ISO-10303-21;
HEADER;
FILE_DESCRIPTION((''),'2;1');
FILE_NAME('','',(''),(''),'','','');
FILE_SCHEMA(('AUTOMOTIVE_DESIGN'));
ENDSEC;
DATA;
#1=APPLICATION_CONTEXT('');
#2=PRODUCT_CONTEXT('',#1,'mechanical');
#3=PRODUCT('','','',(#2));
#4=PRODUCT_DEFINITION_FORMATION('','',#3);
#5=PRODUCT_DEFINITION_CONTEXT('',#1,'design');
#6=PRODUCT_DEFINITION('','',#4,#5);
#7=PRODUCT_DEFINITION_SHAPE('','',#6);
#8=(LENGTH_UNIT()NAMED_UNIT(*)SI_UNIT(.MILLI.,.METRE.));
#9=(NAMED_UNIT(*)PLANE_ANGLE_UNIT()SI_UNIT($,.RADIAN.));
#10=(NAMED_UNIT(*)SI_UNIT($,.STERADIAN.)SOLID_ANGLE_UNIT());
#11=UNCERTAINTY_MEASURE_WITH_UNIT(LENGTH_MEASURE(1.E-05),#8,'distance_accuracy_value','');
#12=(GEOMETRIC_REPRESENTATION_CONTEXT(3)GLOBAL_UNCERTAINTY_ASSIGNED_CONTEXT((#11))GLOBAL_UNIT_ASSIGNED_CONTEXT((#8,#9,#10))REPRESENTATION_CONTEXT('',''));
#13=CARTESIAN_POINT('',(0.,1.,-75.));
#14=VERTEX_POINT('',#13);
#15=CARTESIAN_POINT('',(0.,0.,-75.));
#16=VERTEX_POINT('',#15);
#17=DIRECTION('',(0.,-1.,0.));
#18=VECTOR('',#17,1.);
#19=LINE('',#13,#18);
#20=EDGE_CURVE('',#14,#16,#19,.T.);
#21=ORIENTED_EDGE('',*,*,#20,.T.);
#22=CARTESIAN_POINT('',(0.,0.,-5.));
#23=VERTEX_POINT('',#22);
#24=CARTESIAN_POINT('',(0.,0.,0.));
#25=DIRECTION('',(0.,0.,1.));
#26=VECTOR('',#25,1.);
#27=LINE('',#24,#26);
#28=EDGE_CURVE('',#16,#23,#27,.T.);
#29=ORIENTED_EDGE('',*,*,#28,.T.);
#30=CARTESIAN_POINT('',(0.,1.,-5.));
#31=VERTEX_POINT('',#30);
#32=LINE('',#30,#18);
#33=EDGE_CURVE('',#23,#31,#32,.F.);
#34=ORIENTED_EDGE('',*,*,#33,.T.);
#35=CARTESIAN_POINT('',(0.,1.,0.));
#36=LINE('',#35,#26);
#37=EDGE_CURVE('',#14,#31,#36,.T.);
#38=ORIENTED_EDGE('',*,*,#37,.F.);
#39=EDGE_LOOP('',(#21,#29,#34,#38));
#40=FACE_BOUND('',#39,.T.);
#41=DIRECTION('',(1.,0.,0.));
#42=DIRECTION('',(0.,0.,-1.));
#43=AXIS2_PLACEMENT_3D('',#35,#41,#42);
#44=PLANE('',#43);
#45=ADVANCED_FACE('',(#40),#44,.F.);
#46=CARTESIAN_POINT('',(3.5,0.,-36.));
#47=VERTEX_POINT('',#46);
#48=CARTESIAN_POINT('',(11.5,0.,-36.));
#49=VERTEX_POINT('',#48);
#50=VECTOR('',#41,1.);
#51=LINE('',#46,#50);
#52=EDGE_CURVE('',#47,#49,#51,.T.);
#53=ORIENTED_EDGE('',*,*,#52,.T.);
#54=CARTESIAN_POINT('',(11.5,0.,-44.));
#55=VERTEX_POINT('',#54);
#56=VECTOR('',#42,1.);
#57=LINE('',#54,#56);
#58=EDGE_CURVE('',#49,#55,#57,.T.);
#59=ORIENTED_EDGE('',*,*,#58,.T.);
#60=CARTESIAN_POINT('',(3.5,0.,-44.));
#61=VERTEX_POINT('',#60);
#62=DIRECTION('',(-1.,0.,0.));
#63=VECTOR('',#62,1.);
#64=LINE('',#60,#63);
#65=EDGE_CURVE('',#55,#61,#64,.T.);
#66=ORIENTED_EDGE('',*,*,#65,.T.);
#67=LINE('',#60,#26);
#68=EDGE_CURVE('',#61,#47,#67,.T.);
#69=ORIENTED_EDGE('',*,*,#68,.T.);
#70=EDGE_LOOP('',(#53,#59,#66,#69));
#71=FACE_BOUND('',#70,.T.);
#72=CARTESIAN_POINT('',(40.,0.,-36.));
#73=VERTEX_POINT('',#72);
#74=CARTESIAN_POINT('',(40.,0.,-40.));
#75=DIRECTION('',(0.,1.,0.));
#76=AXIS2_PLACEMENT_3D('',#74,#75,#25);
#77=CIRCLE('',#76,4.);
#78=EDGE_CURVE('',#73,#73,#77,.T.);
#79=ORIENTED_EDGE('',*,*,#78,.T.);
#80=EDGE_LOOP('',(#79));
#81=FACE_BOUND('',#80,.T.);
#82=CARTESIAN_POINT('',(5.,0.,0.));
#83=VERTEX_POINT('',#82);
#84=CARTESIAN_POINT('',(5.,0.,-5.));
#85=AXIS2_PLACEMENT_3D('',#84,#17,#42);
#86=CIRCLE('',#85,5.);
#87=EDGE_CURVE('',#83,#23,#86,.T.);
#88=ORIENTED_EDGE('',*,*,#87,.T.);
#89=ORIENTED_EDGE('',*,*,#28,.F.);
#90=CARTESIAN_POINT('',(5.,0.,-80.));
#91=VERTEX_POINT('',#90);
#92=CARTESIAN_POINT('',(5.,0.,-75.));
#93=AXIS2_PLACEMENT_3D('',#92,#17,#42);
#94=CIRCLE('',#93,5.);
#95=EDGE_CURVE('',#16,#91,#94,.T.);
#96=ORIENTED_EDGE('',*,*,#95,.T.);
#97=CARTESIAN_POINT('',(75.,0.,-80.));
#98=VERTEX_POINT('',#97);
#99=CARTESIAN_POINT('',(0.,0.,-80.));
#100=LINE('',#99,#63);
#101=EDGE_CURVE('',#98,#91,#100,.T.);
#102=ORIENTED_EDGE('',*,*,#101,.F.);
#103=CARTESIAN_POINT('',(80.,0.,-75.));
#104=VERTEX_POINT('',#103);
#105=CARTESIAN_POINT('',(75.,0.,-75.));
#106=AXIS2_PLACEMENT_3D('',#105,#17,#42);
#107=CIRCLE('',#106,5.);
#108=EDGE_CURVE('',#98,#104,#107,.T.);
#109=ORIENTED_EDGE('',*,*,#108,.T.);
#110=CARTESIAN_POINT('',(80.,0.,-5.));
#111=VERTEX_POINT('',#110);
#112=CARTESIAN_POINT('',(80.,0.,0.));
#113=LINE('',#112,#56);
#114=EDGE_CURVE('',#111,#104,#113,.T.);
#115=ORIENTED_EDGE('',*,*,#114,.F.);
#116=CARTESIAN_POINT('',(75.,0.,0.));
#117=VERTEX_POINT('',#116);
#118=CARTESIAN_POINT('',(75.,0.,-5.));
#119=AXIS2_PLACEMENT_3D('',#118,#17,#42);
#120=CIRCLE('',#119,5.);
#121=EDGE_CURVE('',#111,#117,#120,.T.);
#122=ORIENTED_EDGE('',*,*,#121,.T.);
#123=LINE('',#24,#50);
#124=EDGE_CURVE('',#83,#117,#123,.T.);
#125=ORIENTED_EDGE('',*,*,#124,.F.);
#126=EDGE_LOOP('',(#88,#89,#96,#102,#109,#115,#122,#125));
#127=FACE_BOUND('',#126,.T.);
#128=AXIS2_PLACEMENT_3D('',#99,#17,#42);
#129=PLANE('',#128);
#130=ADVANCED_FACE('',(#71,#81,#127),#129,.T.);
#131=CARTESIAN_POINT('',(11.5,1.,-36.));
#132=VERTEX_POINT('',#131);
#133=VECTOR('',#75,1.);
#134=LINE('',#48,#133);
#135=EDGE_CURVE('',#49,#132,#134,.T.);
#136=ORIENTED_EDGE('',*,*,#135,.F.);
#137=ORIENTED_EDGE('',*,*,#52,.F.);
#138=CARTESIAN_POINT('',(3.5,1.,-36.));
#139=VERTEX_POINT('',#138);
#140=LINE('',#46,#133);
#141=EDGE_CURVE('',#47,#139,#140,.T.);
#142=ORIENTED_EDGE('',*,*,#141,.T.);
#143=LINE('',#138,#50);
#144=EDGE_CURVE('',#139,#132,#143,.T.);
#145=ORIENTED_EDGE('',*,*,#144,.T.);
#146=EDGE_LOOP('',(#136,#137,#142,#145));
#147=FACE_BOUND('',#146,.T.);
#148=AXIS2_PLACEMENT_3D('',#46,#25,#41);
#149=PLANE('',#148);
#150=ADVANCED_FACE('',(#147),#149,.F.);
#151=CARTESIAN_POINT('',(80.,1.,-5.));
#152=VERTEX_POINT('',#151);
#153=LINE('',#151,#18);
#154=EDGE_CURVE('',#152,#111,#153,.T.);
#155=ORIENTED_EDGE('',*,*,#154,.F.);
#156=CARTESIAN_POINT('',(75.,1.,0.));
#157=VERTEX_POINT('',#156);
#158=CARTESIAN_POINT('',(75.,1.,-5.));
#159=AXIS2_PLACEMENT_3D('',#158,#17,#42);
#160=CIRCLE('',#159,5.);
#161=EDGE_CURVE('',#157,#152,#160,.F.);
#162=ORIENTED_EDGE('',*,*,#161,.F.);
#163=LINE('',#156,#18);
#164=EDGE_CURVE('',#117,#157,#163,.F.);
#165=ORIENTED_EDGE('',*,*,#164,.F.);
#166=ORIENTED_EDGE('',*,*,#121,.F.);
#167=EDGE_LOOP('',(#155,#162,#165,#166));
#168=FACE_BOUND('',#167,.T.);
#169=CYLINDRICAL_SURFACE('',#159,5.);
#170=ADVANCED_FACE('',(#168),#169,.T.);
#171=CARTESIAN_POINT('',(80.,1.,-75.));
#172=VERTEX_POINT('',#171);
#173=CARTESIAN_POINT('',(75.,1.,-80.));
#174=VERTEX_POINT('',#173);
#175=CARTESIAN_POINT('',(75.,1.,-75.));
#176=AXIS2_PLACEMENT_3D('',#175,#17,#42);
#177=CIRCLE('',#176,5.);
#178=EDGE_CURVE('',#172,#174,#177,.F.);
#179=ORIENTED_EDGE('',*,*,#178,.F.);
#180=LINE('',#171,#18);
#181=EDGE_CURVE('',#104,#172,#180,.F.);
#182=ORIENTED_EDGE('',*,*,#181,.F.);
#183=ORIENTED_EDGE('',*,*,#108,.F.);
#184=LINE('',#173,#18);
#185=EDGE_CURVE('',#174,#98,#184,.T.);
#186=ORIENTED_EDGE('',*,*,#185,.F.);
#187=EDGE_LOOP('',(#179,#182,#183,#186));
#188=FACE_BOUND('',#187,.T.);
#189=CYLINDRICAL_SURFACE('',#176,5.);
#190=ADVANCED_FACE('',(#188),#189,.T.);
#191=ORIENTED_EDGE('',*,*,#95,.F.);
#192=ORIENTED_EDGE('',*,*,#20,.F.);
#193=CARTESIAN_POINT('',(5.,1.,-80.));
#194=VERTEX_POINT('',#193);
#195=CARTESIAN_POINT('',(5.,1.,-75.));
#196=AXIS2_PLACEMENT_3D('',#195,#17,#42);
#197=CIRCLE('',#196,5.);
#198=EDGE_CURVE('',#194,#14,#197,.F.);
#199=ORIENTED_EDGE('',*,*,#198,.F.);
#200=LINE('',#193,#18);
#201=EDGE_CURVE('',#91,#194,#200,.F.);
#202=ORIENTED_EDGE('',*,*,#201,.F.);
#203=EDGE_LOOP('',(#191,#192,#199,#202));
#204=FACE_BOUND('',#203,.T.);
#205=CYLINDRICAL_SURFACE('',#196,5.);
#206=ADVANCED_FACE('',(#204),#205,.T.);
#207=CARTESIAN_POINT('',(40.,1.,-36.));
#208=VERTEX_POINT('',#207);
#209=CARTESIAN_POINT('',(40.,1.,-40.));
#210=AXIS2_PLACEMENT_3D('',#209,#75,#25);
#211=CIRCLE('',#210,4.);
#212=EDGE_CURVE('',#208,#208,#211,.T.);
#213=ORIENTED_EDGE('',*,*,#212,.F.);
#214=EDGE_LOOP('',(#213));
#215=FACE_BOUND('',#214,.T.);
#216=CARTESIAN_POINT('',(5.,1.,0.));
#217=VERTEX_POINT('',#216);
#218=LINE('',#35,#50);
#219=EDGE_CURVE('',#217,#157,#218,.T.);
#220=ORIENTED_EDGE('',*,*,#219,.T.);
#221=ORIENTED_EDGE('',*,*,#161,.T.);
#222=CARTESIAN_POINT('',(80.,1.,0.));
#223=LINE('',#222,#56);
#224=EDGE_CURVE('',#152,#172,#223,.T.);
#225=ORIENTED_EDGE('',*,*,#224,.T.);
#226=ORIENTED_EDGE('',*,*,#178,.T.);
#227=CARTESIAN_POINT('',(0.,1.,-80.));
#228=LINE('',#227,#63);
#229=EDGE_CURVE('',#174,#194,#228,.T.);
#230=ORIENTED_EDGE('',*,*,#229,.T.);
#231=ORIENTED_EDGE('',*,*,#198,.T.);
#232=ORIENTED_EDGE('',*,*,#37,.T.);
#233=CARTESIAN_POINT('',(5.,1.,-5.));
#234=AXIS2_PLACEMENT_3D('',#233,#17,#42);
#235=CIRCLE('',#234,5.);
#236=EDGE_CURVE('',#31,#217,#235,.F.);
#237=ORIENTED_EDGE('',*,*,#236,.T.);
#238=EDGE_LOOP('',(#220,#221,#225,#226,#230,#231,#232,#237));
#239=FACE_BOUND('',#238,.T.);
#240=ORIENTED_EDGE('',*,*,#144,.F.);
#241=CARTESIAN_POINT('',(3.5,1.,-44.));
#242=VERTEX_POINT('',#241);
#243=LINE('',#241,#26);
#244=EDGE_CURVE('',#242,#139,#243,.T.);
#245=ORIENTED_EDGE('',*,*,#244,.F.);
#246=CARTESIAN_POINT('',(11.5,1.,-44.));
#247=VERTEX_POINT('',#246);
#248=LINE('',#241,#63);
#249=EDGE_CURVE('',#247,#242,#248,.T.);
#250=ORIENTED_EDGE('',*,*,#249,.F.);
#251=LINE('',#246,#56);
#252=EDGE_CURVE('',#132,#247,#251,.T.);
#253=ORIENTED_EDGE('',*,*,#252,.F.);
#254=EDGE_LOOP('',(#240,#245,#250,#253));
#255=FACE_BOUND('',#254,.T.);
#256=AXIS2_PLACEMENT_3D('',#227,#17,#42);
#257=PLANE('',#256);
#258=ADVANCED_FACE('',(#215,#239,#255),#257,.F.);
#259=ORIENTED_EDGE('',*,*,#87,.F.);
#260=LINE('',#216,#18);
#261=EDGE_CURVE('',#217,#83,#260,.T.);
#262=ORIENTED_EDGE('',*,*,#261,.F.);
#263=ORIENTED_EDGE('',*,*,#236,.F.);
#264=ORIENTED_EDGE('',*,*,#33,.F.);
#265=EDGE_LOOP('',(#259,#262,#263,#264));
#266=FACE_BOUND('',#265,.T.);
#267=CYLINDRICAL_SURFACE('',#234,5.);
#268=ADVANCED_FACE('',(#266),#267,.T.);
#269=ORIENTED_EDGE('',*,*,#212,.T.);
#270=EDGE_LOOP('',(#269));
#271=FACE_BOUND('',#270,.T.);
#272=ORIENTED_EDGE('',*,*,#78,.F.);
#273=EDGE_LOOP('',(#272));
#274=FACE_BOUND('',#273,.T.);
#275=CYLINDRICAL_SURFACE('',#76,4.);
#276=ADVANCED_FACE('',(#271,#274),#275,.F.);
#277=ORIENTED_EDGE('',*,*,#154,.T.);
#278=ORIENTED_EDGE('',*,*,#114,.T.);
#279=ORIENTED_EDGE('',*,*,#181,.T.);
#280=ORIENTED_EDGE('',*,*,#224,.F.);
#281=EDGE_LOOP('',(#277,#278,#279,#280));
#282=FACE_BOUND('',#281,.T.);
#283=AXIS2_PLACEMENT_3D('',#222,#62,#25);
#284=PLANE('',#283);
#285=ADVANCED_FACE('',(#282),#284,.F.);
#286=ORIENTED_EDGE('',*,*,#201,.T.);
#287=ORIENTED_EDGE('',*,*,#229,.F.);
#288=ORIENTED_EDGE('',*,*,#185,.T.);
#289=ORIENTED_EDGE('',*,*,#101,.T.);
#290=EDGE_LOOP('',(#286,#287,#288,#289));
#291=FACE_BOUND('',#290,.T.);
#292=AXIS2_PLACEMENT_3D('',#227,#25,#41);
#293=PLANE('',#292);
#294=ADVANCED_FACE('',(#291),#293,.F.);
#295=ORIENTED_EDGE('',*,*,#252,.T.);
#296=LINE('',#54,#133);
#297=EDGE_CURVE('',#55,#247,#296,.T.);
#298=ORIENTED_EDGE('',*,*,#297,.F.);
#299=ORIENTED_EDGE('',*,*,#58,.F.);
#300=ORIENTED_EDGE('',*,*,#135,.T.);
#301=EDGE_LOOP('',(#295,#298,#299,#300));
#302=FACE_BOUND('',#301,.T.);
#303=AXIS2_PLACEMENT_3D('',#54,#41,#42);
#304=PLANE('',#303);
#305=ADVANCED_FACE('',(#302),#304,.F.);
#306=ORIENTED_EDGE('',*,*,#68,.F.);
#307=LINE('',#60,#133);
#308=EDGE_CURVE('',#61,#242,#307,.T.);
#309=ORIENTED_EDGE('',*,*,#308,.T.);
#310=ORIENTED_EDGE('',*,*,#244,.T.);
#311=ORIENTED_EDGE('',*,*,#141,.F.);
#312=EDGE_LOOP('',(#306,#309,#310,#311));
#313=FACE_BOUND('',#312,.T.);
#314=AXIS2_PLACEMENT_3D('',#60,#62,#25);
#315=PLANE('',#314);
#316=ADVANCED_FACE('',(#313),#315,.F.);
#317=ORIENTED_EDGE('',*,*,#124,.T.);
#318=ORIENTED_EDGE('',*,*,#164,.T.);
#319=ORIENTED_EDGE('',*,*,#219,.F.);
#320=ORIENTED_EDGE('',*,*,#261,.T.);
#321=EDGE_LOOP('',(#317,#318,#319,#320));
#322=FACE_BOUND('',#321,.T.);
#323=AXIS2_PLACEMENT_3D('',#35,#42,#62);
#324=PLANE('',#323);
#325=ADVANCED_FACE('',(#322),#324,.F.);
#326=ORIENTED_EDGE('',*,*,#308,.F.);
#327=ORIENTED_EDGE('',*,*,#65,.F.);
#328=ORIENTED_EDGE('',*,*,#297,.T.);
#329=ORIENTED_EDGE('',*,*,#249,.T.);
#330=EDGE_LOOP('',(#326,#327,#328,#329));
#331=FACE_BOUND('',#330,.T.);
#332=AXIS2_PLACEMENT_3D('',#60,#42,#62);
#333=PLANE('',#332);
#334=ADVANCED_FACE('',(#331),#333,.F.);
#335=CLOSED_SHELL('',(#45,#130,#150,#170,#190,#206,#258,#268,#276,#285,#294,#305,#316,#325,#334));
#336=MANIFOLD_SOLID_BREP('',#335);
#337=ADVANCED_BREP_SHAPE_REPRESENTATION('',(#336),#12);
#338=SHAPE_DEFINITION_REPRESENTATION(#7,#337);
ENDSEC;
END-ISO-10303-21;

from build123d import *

# Parameters (mm, degrees)
ESQUISSE1_W             = 80
ESQUISSE1_H             = 80
EXTRUSION1_DEPTH        = 1
CONG_1_R                = 5
ESQUISSE3_R             = 4
ENL_V_MAT_EXTRU_1_DEPTH = 2
ESQUISSE4_W             = 8
ESQUISSE4_H             = 8
ENL_V_MAT_EXTRU_2_DEPTH = 2


with BuildPart() as part:
    # Esquisse1 → Extrusion1 (new body)
    with BuildSketch(Plane(origin=(0, 0, 0), x_dir=(1, 0, 0), z_dir=(0, 1, 0))):
        with Locations((40, 40)):
            Rectangle(ESQUISSE1_W, ESQUISSE1_H)
    extrude(amount=EXTRUSION1_DEPTH)

    # Congé1
    cong_1_edges = [part.edges().sort_by_distance(p)[0] for p in [
        (0, 0.5, -80),
        (80, 0.5, -80),
        (80, 0.5, 0),
        (0, 0.5, 0),
    ]]
    fillet(cong_1_edges, radius=CONG_1_R)

    # Esquisse3 → Enlèv. mat.-Extru.1 (cut, through all)
    with BuildSketch(Plane(origin=(0, 1, 0), x_dir=(1, 0, 0), z_dir=(0, 1, 0))):
        with Locations((40, 40)):
            Circle(ESQUISSE3_R)
    extrude(amount=-ENL_V_MAT_EXTRU_1_DEPTH, mode=Mode.SUBTRACT)

    # Esquisse4 → Enlèv. mat.-Extru.2 (cut, through all)
    with BuildSketch(Plane(origin=(0, 1, 0), x_dir=(1, 0, 0), z_dir=(0, 1, 0))):
        with Locations((7.5, 40)):
            Rectangle(ESQUISSE4_W, ESQUISSE4_H)
    extrude(amount=-ENL_V_MAT_EXTRU_2_DEPTH, mode=Mode.SUBTRACT)


solid = part.part
